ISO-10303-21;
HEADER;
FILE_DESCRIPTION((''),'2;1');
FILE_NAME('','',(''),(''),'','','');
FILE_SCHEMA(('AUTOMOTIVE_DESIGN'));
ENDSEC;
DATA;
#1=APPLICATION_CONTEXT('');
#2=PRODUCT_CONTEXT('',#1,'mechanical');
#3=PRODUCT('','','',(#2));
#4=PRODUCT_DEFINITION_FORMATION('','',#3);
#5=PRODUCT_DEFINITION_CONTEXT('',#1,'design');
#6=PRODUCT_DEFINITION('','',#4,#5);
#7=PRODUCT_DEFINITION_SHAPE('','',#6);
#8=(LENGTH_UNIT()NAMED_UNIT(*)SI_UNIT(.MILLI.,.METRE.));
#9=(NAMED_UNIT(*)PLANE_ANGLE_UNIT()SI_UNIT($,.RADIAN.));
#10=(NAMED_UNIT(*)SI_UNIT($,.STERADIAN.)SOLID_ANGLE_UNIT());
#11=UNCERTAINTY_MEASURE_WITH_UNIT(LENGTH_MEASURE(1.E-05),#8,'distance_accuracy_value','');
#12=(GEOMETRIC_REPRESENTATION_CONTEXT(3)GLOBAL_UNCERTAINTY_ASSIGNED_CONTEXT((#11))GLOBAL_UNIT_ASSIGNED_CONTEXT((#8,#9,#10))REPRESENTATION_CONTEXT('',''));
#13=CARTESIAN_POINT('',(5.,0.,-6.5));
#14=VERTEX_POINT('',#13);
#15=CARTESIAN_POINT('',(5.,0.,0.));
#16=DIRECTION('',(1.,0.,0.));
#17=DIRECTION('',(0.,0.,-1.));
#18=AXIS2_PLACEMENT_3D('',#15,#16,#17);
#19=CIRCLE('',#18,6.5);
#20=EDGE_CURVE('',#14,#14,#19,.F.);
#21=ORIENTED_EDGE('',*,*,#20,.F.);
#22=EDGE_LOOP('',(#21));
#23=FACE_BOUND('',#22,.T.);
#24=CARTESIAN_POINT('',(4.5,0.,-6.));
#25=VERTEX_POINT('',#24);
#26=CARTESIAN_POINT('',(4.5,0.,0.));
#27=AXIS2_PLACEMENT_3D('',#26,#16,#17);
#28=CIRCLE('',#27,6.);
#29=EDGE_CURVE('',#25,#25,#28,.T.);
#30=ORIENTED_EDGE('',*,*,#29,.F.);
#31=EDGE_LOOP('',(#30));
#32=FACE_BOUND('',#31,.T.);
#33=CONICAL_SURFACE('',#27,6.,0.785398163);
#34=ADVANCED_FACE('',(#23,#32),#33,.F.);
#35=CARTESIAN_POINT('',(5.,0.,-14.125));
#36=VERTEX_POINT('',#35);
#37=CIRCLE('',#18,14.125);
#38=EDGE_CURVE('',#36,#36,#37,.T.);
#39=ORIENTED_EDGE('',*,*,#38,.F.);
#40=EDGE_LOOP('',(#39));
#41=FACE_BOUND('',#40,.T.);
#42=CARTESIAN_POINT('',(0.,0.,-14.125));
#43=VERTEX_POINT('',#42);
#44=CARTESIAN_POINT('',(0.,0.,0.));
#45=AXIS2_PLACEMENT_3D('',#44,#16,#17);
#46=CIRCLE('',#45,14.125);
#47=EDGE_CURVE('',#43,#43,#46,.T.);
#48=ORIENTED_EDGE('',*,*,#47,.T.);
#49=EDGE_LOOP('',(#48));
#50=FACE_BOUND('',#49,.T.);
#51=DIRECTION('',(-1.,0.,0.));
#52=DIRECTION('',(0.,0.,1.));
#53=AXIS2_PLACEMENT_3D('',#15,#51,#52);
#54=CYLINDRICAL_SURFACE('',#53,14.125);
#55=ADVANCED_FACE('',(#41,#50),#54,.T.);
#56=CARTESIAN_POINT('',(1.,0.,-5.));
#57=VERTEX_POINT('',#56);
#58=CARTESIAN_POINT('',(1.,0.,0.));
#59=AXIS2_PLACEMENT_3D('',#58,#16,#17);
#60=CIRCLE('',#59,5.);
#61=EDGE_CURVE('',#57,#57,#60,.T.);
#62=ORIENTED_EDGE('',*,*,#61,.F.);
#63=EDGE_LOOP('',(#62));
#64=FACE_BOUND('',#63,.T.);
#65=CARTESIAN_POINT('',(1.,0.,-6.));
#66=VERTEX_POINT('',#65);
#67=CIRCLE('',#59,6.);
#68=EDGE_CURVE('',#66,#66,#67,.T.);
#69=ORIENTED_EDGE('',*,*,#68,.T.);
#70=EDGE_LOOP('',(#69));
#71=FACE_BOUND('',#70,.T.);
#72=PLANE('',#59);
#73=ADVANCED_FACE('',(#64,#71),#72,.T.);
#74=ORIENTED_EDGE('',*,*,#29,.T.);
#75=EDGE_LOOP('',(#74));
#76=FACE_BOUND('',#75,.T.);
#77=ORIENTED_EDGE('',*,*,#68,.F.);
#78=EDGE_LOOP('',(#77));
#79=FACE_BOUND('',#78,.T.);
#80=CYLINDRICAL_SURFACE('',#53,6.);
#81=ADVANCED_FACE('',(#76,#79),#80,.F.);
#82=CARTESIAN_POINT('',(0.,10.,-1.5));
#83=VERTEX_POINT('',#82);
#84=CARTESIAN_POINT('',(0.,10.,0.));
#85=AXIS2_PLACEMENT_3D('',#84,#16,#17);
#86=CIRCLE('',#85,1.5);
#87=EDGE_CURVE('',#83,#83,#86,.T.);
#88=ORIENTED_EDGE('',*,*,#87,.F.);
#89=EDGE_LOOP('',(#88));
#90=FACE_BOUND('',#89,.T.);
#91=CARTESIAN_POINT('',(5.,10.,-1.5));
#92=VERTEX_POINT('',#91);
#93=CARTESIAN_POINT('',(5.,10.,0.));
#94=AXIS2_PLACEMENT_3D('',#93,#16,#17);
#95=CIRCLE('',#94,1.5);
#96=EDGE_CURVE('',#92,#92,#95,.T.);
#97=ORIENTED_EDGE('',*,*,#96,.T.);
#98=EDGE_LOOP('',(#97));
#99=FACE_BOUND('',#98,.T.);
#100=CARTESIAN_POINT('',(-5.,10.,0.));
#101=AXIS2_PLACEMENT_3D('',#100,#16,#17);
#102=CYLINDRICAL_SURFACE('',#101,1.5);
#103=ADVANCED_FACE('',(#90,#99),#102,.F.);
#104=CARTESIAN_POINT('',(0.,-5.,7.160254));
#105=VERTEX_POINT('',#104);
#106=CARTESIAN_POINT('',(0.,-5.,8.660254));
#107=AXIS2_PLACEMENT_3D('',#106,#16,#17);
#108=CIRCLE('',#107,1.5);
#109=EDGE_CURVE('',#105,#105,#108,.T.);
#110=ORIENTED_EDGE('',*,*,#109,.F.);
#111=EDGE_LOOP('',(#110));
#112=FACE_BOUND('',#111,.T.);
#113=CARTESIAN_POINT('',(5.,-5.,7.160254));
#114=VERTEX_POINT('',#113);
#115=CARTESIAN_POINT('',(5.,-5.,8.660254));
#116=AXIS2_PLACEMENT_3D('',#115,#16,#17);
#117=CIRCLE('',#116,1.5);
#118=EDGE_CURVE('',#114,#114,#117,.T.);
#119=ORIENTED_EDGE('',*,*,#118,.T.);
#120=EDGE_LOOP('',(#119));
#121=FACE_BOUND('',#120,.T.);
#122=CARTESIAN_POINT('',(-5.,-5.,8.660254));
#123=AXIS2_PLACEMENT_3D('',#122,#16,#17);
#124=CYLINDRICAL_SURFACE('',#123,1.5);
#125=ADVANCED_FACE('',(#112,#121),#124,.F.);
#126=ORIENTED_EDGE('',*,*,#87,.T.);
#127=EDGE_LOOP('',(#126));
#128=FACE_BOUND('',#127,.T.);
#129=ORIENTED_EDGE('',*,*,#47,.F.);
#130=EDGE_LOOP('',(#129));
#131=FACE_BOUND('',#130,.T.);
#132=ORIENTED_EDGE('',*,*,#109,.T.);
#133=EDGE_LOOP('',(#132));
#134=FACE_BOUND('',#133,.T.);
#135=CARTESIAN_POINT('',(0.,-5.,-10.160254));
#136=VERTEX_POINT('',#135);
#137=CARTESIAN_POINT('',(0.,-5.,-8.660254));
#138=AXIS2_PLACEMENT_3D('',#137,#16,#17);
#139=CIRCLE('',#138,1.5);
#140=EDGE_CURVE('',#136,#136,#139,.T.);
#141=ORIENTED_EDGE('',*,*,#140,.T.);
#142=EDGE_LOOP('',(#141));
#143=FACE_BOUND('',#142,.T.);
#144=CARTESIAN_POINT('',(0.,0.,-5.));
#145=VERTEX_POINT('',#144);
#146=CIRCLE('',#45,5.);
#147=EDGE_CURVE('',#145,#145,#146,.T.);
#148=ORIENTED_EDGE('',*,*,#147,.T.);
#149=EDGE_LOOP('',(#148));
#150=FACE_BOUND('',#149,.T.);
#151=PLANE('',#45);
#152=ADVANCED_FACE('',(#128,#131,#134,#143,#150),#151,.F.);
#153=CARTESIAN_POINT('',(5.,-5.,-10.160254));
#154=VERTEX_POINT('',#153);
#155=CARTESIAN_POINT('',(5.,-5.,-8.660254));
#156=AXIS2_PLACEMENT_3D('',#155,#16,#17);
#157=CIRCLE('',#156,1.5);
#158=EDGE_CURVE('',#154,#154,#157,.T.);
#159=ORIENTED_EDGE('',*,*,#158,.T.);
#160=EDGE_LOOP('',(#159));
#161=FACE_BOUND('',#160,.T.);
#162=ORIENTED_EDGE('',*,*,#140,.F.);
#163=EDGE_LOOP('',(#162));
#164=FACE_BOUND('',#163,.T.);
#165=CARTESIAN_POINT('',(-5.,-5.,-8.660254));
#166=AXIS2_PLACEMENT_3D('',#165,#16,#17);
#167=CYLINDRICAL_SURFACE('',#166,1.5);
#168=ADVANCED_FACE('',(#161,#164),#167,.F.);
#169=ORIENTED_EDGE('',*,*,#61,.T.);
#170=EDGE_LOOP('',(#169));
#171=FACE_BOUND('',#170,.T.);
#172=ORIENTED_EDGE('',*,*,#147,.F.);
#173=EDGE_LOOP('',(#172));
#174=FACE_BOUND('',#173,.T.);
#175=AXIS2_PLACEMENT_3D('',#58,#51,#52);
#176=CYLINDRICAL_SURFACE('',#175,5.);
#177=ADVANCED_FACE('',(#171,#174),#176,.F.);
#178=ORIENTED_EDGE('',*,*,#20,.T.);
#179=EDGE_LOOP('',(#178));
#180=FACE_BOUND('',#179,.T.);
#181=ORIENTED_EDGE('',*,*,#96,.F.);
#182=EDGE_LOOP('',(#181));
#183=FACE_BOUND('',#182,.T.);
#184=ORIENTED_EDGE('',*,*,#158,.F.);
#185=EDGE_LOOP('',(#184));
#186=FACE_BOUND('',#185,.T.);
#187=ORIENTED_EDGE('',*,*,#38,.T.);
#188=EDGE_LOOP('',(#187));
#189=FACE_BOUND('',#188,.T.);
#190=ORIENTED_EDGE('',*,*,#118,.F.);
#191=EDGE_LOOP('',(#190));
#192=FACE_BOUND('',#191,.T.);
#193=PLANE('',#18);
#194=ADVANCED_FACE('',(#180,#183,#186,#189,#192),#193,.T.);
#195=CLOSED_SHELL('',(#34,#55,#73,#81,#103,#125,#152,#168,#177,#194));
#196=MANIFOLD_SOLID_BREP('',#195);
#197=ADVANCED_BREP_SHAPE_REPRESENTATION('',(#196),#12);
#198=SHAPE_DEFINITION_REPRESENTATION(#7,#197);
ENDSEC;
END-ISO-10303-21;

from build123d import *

# Parameters (mm, degrees)
SKETCH3_R           = 14.125
SKETCH3_R_2         = 6
BOSS_EXTRUDE1_DEPTH = 5
BOSS_EXTRUDE2_START = -5
SKETCH4_R           = 6
SKETCH4_R_2         = 5
BOSS_EXTRUDE2_DEPTH = 1
SKETCH5_R           = 1.5
CUT_EXTRUDE1_DEPTH  = 10
CHAMFER1_SIZE       = 0.5


with BuildPart() as part:
    # Sketch3 → Boss-Extrude1 (new body)
    with BuildSketch(Plane.YZ):
        with Locations(Location((0, 0, 0), (0, 0, 270))):
            Circle(SKETCH3_R)
        with Locations(Location((0, 0, 0), (0, 0, 270))):
            Circle(SKETCH3_R_2, mode=Mode.SUBTRACT)
    extrude(amount=BOSS_EXTRUDE1_DEPTH)

    # Sketch4 → Boss-Extrude2 (add)
    with BuildSketch(Plane.YZ.offset(5).offset(BOSS_EXTRUDE2_START)):
        with Locations(Location((0, 0, 0), (0, 0, 270))):
            Circle(SKETCH4_R)
        with Locations(Location((0, 0, 0), (0, 0, 270))):
            Circle(SKETCH4_R_2, mode=Mode.SUBTRACT)
    extrude(amount=BOSS_EXTRUDE2_DEPTH)

    # Sketch5 → Cut-Extrude1 (cut)
    with BuildSketch(Plane(origin=(5, 0, 0), x_dir=(0, 0, -1), z_dir=(1, 0, 0))):
        with Locations((0, 10)):
            Circle(SKETCH5_R)
        with Locations((8.660254038, -5)):
            Circle(SKETCH5_R)
        with Locations((-8.660254038, -5)):
            Circle(SKETCH5_R)
    extrude(amount=-CUT_EXTRUDE1_DEPTH, mode=Mode.SUBTRACT)

    # Chamfer1
    chamfer1_edges = [part.edges().sort_by_distance(p)[0] for p in [
        (5, 0, 6),
    ]]
    chamfer(chamfer1_edges, length=CHAMFER1_SIZE)


solid = part.part
